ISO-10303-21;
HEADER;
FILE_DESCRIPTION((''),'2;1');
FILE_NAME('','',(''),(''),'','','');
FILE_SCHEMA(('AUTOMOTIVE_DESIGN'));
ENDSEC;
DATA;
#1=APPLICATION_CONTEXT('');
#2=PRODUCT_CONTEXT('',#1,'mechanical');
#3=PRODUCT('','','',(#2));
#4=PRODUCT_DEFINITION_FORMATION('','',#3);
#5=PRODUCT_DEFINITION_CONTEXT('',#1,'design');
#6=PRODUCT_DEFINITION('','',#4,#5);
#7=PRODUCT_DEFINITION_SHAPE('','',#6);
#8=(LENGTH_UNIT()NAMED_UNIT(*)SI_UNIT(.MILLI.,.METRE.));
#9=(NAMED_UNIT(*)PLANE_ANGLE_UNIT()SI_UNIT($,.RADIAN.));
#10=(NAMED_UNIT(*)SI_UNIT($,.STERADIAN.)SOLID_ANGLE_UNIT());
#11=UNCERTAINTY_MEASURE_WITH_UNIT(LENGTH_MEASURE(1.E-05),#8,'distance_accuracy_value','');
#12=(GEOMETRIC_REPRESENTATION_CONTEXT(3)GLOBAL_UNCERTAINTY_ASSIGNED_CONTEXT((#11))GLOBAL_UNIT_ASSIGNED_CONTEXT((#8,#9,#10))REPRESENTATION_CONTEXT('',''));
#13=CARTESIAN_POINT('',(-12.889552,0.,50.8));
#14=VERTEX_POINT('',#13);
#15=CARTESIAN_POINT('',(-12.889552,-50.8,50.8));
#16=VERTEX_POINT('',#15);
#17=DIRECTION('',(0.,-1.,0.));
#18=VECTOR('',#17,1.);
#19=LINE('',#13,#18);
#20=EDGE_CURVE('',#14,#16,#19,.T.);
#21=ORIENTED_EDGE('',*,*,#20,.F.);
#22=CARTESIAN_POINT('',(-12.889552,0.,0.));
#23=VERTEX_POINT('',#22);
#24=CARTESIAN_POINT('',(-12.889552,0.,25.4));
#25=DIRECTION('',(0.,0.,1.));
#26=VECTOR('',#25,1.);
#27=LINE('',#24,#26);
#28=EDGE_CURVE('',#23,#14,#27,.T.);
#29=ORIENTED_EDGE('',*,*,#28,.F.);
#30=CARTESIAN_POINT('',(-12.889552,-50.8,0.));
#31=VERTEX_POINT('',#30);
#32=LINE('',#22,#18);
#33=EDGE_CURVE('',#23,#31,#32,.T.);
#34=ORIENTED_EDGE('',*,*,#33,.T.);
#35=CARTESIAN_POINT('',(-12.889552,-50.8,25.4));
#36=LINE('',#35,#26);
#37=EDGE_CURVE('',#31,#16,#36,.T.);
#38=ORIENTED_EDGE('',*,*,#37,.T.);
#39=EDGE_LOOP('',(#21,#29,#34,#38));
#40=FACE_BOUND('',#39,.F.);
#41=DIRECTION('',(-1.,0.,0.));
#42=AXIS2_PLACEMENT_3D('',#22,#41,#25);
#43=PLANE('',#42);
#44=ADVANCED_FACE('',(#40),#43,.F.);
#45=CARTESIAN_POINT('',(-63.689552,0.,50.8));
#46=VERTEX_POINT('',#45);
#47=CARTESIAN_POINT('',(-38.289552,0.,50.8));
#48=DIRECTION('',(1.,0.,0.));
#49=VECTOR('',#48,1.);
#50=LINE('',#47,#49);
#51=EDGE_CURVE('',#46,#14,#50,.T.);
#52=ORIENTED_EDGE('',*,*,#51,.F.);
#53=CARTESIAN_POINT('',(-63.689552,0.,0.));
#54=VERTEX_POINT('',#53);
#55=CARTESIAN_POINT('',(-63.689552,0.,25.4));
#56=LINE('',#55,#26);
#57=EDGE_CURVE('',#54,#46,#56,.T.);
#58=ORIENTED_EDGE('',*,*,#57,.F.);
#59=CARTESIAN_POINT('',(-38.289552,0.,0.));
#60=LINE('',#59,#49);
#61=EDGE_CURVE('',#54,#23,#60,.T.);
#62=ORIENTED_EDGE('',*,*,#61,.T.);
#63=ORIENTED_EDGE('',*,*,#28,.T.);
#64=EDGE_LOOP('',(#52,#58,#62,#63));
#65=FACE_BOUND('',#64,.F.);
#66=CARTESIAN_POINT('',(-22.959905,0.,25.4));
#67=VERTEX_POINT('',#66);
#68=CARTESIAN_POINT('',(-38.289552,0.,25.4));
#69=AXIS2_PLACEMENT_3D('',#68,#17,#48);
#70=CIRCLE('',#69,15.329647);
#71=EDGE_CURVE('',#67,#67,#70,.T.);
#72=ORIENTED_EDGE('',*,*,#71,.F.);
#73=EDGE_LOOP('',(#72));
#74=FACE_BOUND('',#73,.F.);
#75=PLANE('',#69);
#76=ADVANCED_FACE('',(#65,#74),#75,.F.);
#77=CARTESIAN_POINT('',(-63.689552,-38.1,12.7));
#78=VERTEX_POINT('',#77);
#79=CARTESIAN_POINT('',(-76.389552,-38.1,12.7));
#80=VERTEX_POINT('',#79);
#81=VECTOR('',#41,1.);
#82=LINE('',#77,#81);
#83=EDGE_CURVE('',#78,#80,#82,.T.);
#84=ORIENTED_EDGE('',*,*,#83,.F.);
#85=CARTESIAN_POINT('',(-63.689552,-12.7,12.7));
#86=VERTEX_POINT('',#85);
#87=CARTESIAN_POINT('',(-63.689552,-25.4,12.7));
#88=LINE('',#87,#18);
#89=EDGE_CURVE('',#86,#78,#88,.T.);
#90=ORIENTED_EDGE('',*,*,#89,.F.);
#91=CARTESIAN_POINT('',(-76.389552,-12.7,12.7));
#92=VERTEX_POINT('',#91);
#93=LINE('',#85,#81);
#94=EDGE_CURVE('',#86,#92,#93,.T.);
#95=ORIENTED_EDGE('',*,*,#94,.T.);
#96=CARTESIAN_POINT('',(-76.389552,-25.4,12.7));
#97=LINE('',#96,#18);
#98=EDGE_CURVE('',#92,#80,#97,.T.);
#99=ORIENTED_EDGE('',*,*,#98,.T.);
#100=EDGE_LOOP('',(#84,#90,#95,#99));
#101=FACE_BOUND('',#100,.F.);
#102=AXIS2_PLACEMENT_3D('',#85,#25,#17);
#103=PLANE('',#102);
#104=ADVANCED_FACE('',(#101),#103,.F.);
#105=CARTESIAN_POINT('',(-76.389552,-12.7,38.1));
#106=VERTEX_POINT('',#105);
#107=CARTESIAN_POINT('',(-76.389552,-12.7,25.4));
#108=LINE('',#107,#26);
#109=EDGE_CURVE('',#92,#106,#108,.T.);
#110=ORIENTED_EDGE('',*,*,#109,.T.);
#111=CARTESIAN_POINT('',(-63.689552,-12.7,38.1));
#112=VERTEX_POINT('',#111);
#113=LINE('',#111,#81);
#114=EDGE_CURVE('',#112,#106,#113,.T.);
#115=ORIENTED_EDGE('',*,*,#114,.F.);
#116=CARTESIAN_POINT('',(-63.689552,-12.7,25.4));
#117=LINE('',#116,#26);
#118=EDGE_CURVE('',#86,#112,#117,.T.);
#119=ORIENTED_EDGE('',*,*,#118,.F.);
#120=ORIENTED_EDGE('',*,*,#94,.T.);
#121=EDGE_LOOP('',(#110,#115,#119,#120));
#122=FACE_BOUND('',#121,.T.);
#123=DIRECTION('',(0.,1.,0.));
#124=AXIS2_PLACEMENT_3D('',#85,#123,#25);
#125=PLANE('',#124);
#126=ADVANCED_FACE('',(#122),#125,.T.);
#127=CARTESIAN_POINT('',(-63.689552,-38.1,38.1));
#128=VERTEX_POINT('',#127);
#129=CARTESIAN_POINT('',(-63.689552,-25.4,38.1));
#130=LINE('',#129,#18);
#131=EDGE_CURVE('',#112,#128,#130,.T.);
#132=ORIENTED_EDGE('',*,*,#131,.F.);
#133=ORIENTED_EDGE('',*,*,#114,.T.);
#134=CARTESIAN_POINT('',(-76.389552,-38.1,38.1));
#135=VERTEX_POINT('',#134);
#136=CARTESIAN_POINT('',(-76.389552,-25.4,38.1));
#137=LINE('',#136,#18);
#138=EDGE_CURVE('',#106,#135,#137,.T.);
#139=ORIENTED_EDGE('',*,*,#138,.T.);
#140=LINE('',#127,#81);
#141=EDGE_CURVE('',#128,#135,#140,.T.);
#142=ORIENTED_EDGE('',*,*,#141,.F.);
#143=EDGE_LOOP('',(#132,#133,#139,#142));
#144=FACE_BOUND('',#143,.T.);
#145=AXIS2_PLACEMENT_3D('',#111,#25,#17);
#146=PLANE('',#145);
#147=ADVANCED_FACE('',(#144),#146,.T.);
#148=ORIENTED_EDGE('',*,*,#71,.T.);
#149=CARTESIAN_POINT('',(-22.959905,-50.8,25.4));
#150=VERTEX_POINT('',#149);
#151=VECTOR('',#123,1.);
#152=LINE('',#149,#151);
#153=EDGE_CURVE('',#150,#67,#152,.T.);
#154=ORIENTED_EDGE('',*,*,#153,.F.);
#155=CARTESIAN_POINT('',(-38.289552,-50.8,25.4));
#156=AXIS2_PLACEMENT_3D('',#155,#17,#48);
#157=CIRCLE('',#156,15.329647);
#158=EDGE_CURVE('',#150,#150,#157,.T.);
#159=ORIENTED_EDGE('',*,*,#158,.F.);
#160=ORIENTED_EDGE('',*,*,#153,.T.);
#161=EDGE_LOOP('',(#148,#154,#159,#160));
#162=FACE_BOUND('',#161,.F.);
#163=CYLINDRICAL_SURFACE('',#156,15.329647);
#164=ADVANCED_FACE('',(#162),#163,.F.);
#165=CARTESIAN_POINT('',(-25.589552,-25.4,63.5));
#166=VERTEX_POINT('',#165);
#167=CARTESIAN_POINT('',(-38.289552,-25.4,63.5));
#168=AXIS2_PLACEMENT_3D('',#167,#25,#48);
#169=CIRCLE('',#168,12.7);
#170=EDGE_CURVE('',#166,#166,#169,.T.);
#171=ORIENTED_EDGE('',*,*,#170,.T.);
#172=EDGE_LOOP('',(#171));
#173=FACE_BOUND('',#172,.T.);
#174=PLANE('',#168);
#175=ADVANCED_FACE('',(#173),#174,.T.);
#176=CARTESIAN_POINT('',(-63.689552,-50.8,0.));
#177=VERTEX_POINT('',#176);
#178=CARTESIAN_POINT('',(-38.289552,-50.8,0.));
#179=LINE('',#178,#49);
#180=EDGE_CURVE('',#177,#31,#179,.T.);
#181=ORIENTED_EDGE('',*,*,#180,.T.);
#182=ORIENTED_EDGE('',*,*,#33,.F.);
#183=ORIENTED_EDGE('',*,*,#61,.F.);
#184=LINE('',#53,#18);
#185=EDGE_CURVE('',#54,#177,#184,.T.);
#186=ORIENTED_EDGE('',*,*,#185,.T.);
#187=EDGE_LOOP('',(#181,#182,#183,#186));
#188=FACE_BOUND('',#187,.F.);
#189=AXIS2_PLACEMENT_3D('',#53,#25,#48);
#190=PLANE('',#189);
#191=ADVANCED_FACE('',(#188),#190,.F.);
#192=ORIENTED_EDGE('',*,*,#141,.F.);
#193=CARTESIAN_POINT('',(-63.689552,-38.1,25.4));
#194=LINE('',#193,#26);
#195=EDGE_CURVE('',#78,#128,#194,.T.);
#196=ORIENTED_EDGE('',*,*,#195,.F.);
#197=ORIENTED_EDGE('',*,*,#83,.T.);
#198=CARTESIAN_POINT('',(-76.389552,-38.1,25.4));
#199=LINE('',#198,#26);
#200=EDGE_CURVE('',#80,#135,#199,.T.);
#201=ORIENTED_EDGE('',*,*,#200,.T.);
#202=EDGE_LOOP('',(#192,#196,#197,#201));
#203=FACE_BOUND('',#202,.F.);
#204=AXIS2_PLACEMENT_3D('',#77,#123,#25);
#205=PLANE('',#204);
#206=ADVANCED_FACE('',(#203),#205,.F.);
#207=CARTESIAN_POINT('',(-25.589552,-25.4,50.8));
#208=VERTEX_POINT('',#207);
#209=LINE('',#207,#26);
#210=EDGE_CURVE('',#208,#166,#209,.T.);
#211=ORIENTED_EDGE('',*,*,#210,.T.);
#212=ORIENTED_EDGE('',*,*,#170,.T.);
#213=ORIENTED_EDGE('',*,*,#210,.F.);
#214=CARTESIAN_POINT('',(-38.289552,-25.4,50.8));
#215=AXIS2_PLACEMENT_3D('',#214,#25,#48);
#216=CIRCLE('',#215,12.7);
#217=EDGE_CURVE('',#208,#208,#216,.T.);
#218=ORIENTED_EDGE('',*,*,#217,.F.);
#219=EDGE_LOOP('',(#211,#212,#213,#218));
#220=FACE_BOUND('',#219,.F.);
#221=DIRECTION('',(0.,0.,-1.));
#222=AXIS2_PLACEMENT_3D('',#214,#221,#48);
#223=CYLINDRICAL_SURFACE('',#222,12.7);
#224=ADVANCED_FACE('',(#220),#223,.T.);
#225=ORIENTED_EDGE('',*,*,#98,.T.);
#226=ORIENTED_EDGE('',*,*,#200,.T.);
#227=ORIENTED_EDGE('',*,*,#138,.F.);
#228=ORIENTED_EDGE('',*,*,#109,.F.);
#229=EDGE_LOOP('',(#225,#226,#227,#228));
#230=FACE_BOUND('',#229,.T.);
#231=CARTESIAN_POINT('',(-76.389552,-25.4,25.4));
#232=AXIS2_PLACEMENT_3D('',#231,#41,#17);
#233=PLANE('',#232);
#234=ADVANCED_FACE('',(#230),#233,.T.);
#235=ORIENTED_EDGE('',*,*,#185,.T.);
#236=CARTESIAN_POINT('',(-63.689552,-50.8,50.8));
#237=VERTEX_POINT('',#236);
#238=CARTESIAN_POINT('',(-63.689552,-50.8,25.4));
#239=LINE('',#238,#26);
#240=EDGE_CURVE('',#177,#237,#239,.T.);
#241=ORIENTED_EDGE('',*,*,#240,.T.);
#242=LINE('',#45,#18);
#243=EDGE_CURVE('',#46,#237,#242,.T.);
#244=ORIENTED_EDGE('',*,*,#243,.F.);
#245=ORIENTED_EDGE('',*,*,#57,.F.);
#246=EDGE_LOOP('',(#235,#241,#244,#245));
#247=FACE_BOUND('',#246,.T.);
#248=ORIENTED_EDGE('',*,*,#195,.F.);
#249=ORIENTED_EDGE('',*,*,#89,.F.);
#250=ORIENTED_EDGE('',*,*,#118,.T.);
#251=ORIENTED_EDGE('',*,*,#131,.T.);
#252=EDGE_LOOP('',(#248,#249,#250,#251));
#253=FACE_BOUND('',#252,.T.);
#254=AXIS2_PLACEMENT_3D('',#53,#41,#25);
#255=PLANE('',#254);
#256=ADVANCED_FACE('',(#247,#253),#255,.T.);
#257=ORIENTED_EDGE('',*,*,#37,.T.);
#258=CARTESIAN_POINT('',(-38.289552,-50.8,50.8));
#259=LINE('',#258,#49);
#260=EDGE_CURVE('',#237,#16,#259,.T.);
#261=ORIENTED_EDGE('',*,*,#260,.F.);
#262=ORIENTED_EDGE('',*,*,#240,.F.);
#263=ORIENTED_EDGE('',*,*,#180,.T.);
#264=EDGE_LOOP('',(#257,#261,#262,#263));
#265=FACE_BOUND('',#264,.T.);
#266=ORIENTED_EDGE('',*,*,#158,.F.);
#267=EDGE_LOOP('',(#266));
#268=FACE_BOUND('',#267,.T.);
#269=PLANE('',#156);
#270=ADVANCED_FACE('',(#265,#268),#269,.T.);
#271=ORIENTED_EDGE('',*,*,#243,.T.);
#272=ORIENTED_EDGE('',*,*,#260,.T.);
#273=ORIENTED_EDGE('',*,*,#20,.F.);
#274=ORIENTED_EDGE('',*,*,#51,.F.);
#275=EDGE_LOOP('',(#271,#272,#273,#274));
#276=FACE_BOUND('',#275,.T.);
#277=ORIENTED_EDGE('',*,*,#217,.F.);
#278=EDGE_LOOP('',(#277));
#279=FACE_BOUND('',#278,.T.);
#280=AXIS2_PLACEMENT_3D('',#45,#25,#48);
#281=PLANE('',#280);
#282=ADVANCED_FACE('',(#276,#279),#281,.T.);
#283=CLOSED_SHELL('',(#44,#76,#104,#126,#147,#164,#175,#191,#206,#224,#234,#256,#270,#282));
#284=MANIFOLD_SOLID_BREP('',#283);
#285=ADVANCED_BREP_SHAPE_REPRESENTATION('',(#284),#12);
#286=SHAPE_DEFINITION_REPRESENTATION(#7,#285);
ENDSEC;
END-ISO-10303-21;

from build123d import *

# Parameters (mm, degrees)
F0_W     = 50.8
F0_H     = 50.8
F1_DEPTH = 50.8
F2_R     = 15.329647
F3_DEPTH = 50.8
F4_R     = 12.7
F5_DEPTH = 12.7
F6_W     = 25.4
F6_H     = 25.4
F7_DEPTH = 12.7


with BuildPart() as f1:
    # F0 (on Front) → F1 (new body)
    with BuildSketch(Plane.XZ):
        with Locations((-38.289552, 25.4)):
            Rectangle(F0_W, F0_H)
    extrude(amount=F1_DEPTH)

    # F2 (on face) → F3 (cut)
    with BuildSketch(Plane.XZ.offset(50.8)):
        with Locations((-38.289552, 25.4)):
            Circle(F2_R)
    extrude(amount=-F3_DEPTH, mode=Mode.SUBTRACT)

    # F4 (on face) → F5 (join)
    with BuildSketch(Plane.XY.offset(50.8)):
        with Locations((-38.289552, -25.4)):
            Circle(F4_R)
    extrude(amount=F5_DEPTH)

    # F6 (on face) → F7 (join)
    with BuildSketch(Plane(origin=(-63.689552, 0, 0), x_dir=(0, -1, 0), z_dir=(-1, 0, 0))):
        with Locations((25.4, 25.4)):
            Rectangle(F6_W, F6_H)
    extrude(amount=F7_DEPTH)


solid = f1.part
